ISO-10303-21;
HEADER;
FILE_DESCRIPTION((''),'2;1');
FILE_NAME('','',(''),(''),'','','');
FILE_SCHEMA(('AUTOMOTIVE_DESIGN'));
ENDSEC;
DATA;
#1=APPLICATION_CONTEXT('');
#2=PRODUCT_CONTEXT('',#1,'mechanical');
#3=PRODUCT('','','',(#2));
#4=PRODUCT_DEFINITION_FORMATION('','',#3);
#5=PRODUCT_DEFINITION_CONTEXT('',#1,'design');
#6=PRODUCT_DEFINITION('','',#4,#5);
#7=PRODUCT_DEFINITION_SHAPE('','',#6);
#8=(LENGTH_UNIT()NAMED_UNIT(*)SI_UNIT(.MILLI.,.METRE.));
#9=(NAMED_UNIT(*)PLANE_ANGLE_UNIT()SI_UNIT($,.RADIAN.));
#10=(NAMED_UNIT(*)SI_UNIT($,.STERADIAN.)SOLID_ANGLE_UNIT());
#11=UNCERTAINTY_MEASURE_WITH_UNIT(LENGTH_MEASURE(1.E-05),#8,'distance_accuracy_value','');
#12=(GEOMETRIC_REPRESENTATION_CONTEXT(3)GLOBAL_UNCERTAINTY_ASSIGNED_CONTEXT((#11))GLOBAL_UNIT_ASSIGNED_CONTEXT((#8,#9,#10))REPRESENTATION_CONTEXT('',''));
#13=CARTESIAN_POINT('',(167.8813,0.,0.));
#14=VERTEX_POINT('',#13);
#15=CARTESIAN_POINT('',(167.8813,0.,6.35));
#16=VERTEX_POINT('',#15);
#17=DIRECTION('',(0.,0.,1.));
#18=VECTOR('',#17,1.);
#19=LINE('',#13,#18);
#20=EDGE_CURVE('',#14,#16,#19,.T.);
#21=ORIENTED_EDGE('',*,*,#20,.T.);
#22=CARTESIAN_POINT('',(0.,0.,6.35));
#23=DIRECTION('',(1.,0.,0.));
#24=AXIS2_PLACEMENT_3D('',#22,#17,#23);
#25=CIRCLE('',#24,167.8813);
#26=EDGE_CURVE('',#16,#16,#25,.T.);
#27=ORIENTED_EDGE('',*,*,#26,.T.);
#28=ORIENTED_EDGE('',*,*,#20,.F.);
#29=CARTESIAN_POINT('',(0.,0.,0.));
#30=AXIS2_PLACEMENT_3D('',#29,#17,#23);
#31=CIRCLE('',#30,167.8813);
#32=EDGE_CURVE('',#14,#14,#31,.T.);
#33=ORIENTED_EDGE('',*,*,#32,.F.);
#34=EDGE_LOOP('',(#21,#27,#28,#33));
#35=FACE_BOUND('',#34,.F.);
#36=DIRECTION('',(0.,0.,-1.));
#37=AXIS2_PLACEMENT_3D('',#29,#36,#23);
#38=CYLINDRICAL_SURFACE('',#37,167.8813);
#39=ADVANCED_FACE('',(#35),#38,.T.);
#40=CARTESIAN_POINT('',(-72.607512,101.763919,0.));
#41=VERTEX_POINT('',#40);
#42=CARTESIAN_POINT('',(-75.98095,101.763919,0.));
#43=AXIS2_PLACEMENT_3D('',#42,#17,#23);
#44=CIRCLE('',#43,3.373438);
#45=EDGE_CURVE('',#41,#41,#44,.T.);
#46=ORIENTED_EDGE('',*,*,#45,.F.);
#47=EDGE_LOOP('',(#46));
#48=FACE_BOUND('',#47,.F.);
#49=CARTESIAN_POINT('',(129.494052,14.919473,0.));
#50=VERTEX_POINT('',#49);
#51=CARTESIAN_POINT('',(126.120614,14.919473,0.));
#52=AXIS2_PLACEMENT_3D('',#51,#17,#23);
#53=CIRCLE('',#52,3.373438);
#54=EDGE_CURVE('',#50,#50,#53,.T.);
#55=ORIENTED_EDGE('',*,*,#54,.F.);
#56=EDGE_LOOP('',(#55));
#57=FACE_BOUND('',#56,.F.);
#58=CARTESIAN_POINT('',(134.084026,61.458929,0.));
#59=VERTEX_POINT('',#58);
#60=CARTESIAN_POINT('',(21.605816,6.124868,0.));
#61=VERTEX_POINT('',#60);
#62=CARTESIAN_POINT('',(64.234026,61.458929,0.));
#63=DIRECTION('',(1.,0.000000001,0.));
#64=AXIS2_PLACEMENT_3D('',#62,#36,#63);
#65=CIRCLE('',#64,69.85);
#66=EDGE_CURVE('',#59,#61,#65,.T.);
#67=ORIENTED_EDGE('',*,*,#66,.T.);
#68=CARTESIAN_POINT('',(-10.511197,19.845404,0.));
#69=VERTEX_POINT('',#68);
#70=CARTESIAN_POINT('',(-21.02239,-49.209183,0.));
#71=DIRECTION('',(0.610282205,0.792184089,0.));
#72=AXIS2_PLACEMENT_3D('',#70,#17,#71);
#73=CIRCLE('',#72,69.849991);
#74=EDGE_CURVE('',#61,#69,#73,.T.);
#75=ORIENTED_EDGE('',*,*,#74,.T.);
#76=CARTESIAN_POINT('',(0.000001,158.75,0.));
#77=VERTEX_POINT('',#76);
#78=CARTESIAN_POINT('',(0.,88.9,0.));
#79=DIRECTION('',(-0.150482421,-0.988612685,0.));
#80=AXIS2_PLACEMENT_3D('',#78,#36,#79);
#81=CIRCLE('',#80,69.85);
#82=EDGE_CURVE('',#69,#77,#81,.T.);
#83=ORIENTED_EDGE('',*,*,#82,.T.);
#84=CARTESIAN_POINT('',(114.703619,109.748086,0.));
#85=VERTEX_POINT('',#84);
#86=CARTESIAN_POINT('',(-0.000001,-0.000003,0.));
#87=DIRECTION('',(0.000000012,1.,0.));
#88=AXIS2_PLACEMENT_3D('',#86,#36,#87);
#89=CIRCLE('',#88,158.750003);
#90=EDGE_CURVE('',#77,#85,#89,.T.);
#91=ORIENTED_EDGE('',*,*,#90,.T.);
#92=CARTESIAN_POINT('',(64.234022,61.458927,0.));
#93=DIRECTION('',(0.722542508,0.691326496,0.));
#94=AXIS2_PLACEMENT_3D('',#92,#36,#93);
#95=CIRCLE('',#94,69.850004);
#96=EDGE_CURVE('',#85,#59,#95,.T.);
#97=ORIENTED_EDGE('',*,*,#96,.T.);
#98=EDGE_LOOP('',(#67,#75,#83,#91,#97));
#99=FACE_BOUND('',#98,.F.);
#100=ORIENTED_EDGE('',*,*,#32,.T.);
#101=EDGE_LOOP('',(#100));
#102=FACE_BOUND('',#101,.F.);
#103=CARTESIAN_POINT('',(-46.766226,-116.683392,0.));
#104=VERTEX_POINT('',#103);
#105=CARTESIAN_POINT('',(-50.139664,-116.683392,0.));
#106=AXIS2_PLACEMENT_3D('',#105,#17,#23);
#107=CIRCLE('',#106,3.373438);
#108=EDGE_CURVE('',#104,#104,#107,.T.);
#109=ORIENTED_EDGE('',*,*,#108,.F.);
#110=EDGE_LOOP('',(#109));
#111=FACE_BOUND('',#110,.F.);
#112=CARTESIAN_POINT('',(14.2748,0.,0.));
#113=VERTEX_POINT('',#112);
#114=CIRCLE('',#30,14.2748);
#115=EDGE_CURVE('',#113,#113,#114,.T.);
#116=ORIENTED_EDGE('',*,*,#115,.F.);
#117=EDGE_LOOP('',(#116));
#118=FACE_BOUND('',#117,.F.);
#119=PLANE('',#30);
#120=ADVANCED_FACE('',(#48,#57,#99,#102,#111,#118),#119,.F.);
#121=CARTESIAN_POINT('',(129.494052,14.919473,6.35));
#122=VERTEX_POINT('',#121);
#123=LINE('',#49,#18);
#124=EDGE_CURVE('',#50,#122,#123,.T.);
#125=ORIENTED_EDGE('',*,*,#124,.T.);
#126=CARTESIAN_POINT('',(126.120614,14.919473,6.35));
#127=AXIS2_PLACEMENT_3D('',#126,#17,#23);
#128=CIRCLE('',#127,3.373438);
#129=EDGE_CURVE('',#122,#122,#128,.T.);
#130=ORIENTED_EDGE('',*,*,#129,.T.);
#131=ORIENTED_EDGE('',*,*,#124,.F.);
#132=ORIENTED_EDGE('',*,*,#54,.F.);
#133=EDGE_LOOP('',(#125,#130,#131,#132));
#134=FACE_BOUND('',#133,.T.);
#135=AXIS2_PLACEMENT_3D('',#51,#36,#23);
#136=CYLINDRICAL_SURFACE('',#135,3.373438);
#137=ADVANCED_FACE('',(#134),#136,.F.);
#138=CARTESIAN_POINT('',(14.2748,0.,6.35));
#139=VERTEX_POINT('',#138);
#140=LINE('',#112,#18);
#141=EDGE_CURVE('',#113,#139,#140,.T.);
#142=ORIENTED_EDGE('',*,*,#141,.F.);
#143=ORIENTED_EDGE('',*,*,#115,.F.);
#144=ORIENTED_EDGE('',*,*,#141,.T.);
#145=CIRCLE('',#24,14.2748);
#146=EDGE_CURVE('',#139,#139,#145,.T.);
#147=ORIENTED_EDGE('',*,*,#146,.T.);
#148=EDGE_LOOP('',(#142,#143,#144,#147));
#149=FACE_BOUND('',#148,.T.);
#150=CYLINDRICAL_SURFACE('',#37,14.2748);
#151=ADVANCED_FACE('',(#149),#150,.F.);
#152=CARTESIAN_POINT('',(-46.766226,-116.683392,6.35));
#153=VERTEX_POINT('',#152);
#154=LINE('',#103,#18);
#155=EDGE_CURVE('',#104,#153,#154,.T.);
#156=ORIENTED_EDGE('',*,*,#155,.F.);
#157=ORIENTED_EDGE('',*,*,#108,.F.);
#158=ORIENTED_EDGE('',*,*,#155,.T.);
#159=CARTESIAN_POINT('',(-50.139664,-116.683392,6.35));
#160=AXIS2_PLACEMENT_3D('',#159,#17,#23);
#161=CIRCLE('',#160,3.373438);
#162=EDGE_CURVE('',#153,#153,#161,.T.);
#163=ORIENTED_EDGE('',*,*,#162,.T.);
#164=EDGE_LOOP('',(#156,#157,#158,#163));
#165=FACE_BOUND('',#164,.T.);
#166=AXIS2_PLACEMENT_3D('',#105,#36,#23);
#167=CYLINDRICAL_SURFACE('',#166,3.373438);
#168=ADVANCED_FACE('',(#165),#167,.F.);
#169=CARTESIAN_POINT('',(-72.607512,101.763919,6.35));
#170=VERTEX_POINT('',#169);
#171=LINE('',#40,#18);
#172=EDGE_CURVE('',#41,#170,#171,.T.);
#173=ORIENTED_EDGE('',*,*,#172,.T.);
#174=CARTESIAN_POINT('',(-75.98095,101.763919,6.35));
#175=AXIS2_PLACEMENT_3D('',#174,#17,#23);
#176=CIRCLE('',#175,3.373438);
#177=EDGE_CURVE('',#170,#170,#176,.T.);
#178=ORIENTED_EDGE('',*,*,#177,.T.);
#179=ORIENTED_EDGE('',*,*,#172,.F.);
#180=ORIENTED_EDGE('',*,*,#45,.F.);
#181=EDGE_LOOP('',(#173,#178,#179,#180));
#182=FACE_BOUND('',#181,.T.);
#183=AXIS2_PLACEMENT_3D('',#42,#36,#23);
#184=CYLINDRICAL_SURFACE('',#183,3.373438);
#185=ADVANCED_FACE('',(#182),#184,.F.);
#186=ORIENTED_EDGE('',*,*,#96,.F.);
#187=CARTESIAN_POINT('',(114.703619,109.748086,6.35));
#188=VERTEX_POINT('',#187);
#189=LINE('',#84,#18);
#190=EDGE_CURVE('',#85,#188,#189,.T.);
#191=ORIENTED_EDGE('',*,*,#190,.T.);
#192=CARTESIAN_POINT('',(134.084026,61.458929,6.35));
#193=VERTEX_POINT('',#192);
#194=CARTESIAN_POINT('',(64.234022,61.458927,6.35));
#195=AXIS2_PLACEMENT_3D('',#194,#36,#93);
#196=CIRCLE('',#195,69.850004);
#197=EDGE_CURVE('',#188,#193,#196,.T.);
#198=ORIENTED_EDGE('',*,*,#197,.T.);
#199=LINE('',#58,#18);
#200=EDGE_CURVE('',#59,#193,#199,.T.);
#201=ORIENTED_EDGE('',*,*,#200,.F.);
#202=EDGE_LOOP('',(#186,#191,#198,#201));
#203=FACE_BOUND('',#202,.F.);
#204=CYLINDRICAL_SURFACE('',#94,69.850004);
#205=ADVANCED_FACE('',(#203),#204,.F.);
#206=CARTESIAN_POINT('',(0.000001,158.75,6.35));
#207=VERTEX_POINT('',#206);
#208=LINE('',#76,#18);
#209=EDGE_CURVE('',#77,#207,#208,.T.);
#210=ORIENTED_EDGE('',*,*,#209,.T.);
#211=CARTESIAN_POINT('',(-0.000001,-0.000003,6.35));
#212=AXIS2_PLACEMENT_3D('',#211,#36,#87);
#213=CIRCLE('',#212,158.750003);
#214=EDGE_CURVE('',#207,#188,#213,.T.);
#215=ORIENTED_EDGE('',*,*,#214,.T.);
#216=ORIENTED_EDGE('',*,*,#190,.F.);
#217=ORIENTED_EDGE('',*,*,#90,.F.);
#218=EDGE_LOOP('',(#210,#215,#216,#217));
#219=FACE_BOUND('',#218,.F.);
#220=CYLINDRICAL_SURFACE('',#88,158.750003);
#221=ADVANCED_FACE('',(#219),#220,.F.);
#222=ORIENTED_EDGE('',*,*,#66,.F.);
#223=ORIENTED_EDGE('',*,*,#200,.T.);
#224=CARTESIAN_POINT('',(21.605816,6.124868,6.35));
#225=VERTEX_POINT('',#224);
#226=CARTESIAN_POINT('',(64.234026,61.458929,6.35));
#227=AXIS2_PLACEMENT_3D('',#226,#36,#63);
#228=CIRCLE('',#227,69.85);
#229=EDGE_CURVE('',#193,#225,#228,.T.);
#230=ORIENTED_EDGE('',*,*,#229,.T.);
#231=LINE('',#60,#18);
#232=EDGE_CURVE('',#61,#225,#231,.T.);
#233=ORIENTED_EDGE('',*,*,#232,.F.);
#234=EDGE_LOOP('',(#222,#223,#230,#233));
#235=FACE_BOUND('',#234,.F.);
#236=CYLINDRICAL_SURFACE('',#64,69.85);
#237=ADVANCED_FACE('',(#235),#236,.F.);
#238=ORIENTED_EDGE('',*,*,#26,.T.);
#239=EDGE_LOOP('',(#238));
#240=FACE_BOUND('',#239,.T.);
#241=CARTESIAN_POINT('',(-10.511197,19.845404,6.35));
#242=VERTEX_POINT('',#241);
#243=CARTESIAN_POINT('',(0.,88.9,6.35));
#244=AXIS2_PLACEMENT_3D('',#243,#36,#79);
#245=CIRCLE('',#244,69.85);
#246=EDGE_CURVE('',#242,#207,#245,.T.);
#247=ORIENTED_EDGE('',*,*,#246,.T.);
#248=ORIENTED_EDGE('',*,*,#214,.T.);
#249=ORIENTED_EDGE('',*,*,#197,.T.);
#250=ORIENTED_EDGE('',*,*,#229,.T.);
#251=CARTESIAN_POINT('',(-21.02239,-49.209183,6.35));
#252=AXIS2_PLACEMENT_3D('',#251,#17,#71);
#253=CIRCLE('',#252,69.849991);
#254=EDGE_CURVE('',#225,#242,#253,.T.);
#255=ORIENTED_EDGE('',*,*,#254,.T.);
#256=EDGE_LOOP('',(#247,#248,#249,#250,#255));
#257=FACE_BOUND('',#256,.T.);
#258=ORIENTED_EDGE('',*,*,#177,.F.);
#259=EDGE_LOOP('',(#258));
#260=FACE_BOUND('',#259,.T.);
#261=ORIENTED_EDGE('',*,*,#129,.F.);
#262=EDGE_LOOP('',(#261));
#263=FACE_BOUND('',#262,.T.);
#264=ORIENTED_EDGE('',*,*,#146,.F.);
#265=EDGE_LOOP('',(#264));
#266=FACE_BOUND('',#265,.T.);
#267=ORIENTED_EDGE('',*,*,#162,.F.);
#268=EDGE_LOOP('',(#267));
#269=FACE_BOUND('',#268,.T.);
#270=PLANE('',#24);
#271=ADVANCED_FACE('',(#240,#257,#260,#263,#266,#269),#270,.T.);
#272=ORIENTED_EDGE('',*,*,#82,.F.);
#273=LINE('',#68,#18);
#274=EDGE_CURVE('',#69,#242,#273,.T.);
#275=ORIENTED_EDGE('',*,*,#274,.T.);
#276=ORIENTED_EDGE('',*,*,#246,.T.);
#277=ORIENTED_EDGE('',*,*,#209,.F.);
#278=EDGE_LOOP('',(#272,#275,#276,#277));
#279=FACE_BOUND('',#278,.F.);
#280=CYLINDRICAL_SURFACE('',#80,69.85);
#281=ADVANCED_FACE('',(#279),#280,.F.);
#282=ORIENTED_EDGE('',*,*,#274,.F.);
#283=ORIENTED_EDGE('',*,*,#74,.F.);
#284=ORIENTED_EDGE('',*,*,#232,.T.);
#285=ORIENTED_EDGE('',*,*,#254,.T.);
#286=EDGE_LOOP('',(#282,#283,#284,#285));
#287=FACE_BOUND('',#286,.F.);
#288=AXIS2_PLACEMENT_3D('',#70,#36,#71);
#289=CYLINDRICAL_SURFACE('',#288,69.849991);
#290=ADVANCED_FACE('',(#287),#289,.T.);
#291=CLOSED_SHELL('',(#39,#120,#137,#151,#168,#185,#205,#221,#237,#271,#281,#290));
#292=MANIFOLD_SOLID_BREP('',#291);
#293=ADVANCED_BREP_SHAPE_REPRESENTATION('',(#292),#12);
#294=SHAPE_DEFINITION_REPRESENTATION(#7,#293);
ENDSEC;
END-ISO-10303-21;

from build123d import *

# Parameters (mm, degrees)
F0_R     = 167.8813
F0_R_2   = 3.373438
F0_R_3   = 14.2748
F1_DEPTH = 6.35


with BuildPart() as f1:
    # F0 (on Top) → F1 (new body)
    with BuildSketch(Plane.XY):
        Circle(F0_R)
        with BuildLine():
            ThreePointArc((158.75, 0), (-112.253202, -112.253201), (1e-06, 158.75))
            ThreePointArc((1e-06, 158.75), (62.366073, 145.986422), (114.703619, 109.748086))
            ThreePointArc((114.703619, 109.748086), (147.327462, 59.128517), (158.75, 0))
        make_face(mode=Mode.SUBTRACT)
        with BuildLine():
            ThreePointArc((-10.511197, 19.845404), (-69.650865, 94.170625), (1e-06, 158.75))
            ThreePointArc((1e-06, 158.75), (-112.253202, -112.253201), (158.75, 0))
            ThreePointArc((158.75, 0), (147.327462, 59.128517), (114.703619, 109.748086))
            ThreePointArc((114.703619, 109.748086), (129.058109, 87.475476), (134.084026, 61.458929))
            ThreePointArc((134.084026, 61.458929), (95.06779, -1.217235), (21.605816, 6.124868))
            ThreePointArc((21.605816, 6.124868), (41.65377, -18.375428), (48.827607, -49.209192))
            ThreePointArc((48.827607, -49.209192), (-73.999887, -94.732897), (-10.511197, 19.845404))
        make_face()
        with Locations((-50.139664, -116.683392)):
            Circle(F0_R_2, mode=Mode.SUBTRACT)
        with Locations((-75.98095, 101.763919)):
            Circle(F0_R_2, mode=Mode.SUBTRACT)
        with Locations((126.120614, 14.919473)):
            Circle(F0_R_2, mode=Mode.SUBTRACT)
        with BuildLine():
            ThreePointArc((21.605816, 6.124868), (6.418678, 15.024834), (-10.511197, 19.845404))
            ThreePointArc((-10.511197, 19.845404), (-73.999887, -94.732897), (48.827607, -49.209192))
            ThreePointArc((48.827607, -49.209192), (41.65377, -18.375428), (21.605816, 6.124868))
        make_face()
        Circle(F0_R_3, mode=Mode.SUBTRACT)
    extrude(amount=F1_DEPTH)


solid = f1.part
